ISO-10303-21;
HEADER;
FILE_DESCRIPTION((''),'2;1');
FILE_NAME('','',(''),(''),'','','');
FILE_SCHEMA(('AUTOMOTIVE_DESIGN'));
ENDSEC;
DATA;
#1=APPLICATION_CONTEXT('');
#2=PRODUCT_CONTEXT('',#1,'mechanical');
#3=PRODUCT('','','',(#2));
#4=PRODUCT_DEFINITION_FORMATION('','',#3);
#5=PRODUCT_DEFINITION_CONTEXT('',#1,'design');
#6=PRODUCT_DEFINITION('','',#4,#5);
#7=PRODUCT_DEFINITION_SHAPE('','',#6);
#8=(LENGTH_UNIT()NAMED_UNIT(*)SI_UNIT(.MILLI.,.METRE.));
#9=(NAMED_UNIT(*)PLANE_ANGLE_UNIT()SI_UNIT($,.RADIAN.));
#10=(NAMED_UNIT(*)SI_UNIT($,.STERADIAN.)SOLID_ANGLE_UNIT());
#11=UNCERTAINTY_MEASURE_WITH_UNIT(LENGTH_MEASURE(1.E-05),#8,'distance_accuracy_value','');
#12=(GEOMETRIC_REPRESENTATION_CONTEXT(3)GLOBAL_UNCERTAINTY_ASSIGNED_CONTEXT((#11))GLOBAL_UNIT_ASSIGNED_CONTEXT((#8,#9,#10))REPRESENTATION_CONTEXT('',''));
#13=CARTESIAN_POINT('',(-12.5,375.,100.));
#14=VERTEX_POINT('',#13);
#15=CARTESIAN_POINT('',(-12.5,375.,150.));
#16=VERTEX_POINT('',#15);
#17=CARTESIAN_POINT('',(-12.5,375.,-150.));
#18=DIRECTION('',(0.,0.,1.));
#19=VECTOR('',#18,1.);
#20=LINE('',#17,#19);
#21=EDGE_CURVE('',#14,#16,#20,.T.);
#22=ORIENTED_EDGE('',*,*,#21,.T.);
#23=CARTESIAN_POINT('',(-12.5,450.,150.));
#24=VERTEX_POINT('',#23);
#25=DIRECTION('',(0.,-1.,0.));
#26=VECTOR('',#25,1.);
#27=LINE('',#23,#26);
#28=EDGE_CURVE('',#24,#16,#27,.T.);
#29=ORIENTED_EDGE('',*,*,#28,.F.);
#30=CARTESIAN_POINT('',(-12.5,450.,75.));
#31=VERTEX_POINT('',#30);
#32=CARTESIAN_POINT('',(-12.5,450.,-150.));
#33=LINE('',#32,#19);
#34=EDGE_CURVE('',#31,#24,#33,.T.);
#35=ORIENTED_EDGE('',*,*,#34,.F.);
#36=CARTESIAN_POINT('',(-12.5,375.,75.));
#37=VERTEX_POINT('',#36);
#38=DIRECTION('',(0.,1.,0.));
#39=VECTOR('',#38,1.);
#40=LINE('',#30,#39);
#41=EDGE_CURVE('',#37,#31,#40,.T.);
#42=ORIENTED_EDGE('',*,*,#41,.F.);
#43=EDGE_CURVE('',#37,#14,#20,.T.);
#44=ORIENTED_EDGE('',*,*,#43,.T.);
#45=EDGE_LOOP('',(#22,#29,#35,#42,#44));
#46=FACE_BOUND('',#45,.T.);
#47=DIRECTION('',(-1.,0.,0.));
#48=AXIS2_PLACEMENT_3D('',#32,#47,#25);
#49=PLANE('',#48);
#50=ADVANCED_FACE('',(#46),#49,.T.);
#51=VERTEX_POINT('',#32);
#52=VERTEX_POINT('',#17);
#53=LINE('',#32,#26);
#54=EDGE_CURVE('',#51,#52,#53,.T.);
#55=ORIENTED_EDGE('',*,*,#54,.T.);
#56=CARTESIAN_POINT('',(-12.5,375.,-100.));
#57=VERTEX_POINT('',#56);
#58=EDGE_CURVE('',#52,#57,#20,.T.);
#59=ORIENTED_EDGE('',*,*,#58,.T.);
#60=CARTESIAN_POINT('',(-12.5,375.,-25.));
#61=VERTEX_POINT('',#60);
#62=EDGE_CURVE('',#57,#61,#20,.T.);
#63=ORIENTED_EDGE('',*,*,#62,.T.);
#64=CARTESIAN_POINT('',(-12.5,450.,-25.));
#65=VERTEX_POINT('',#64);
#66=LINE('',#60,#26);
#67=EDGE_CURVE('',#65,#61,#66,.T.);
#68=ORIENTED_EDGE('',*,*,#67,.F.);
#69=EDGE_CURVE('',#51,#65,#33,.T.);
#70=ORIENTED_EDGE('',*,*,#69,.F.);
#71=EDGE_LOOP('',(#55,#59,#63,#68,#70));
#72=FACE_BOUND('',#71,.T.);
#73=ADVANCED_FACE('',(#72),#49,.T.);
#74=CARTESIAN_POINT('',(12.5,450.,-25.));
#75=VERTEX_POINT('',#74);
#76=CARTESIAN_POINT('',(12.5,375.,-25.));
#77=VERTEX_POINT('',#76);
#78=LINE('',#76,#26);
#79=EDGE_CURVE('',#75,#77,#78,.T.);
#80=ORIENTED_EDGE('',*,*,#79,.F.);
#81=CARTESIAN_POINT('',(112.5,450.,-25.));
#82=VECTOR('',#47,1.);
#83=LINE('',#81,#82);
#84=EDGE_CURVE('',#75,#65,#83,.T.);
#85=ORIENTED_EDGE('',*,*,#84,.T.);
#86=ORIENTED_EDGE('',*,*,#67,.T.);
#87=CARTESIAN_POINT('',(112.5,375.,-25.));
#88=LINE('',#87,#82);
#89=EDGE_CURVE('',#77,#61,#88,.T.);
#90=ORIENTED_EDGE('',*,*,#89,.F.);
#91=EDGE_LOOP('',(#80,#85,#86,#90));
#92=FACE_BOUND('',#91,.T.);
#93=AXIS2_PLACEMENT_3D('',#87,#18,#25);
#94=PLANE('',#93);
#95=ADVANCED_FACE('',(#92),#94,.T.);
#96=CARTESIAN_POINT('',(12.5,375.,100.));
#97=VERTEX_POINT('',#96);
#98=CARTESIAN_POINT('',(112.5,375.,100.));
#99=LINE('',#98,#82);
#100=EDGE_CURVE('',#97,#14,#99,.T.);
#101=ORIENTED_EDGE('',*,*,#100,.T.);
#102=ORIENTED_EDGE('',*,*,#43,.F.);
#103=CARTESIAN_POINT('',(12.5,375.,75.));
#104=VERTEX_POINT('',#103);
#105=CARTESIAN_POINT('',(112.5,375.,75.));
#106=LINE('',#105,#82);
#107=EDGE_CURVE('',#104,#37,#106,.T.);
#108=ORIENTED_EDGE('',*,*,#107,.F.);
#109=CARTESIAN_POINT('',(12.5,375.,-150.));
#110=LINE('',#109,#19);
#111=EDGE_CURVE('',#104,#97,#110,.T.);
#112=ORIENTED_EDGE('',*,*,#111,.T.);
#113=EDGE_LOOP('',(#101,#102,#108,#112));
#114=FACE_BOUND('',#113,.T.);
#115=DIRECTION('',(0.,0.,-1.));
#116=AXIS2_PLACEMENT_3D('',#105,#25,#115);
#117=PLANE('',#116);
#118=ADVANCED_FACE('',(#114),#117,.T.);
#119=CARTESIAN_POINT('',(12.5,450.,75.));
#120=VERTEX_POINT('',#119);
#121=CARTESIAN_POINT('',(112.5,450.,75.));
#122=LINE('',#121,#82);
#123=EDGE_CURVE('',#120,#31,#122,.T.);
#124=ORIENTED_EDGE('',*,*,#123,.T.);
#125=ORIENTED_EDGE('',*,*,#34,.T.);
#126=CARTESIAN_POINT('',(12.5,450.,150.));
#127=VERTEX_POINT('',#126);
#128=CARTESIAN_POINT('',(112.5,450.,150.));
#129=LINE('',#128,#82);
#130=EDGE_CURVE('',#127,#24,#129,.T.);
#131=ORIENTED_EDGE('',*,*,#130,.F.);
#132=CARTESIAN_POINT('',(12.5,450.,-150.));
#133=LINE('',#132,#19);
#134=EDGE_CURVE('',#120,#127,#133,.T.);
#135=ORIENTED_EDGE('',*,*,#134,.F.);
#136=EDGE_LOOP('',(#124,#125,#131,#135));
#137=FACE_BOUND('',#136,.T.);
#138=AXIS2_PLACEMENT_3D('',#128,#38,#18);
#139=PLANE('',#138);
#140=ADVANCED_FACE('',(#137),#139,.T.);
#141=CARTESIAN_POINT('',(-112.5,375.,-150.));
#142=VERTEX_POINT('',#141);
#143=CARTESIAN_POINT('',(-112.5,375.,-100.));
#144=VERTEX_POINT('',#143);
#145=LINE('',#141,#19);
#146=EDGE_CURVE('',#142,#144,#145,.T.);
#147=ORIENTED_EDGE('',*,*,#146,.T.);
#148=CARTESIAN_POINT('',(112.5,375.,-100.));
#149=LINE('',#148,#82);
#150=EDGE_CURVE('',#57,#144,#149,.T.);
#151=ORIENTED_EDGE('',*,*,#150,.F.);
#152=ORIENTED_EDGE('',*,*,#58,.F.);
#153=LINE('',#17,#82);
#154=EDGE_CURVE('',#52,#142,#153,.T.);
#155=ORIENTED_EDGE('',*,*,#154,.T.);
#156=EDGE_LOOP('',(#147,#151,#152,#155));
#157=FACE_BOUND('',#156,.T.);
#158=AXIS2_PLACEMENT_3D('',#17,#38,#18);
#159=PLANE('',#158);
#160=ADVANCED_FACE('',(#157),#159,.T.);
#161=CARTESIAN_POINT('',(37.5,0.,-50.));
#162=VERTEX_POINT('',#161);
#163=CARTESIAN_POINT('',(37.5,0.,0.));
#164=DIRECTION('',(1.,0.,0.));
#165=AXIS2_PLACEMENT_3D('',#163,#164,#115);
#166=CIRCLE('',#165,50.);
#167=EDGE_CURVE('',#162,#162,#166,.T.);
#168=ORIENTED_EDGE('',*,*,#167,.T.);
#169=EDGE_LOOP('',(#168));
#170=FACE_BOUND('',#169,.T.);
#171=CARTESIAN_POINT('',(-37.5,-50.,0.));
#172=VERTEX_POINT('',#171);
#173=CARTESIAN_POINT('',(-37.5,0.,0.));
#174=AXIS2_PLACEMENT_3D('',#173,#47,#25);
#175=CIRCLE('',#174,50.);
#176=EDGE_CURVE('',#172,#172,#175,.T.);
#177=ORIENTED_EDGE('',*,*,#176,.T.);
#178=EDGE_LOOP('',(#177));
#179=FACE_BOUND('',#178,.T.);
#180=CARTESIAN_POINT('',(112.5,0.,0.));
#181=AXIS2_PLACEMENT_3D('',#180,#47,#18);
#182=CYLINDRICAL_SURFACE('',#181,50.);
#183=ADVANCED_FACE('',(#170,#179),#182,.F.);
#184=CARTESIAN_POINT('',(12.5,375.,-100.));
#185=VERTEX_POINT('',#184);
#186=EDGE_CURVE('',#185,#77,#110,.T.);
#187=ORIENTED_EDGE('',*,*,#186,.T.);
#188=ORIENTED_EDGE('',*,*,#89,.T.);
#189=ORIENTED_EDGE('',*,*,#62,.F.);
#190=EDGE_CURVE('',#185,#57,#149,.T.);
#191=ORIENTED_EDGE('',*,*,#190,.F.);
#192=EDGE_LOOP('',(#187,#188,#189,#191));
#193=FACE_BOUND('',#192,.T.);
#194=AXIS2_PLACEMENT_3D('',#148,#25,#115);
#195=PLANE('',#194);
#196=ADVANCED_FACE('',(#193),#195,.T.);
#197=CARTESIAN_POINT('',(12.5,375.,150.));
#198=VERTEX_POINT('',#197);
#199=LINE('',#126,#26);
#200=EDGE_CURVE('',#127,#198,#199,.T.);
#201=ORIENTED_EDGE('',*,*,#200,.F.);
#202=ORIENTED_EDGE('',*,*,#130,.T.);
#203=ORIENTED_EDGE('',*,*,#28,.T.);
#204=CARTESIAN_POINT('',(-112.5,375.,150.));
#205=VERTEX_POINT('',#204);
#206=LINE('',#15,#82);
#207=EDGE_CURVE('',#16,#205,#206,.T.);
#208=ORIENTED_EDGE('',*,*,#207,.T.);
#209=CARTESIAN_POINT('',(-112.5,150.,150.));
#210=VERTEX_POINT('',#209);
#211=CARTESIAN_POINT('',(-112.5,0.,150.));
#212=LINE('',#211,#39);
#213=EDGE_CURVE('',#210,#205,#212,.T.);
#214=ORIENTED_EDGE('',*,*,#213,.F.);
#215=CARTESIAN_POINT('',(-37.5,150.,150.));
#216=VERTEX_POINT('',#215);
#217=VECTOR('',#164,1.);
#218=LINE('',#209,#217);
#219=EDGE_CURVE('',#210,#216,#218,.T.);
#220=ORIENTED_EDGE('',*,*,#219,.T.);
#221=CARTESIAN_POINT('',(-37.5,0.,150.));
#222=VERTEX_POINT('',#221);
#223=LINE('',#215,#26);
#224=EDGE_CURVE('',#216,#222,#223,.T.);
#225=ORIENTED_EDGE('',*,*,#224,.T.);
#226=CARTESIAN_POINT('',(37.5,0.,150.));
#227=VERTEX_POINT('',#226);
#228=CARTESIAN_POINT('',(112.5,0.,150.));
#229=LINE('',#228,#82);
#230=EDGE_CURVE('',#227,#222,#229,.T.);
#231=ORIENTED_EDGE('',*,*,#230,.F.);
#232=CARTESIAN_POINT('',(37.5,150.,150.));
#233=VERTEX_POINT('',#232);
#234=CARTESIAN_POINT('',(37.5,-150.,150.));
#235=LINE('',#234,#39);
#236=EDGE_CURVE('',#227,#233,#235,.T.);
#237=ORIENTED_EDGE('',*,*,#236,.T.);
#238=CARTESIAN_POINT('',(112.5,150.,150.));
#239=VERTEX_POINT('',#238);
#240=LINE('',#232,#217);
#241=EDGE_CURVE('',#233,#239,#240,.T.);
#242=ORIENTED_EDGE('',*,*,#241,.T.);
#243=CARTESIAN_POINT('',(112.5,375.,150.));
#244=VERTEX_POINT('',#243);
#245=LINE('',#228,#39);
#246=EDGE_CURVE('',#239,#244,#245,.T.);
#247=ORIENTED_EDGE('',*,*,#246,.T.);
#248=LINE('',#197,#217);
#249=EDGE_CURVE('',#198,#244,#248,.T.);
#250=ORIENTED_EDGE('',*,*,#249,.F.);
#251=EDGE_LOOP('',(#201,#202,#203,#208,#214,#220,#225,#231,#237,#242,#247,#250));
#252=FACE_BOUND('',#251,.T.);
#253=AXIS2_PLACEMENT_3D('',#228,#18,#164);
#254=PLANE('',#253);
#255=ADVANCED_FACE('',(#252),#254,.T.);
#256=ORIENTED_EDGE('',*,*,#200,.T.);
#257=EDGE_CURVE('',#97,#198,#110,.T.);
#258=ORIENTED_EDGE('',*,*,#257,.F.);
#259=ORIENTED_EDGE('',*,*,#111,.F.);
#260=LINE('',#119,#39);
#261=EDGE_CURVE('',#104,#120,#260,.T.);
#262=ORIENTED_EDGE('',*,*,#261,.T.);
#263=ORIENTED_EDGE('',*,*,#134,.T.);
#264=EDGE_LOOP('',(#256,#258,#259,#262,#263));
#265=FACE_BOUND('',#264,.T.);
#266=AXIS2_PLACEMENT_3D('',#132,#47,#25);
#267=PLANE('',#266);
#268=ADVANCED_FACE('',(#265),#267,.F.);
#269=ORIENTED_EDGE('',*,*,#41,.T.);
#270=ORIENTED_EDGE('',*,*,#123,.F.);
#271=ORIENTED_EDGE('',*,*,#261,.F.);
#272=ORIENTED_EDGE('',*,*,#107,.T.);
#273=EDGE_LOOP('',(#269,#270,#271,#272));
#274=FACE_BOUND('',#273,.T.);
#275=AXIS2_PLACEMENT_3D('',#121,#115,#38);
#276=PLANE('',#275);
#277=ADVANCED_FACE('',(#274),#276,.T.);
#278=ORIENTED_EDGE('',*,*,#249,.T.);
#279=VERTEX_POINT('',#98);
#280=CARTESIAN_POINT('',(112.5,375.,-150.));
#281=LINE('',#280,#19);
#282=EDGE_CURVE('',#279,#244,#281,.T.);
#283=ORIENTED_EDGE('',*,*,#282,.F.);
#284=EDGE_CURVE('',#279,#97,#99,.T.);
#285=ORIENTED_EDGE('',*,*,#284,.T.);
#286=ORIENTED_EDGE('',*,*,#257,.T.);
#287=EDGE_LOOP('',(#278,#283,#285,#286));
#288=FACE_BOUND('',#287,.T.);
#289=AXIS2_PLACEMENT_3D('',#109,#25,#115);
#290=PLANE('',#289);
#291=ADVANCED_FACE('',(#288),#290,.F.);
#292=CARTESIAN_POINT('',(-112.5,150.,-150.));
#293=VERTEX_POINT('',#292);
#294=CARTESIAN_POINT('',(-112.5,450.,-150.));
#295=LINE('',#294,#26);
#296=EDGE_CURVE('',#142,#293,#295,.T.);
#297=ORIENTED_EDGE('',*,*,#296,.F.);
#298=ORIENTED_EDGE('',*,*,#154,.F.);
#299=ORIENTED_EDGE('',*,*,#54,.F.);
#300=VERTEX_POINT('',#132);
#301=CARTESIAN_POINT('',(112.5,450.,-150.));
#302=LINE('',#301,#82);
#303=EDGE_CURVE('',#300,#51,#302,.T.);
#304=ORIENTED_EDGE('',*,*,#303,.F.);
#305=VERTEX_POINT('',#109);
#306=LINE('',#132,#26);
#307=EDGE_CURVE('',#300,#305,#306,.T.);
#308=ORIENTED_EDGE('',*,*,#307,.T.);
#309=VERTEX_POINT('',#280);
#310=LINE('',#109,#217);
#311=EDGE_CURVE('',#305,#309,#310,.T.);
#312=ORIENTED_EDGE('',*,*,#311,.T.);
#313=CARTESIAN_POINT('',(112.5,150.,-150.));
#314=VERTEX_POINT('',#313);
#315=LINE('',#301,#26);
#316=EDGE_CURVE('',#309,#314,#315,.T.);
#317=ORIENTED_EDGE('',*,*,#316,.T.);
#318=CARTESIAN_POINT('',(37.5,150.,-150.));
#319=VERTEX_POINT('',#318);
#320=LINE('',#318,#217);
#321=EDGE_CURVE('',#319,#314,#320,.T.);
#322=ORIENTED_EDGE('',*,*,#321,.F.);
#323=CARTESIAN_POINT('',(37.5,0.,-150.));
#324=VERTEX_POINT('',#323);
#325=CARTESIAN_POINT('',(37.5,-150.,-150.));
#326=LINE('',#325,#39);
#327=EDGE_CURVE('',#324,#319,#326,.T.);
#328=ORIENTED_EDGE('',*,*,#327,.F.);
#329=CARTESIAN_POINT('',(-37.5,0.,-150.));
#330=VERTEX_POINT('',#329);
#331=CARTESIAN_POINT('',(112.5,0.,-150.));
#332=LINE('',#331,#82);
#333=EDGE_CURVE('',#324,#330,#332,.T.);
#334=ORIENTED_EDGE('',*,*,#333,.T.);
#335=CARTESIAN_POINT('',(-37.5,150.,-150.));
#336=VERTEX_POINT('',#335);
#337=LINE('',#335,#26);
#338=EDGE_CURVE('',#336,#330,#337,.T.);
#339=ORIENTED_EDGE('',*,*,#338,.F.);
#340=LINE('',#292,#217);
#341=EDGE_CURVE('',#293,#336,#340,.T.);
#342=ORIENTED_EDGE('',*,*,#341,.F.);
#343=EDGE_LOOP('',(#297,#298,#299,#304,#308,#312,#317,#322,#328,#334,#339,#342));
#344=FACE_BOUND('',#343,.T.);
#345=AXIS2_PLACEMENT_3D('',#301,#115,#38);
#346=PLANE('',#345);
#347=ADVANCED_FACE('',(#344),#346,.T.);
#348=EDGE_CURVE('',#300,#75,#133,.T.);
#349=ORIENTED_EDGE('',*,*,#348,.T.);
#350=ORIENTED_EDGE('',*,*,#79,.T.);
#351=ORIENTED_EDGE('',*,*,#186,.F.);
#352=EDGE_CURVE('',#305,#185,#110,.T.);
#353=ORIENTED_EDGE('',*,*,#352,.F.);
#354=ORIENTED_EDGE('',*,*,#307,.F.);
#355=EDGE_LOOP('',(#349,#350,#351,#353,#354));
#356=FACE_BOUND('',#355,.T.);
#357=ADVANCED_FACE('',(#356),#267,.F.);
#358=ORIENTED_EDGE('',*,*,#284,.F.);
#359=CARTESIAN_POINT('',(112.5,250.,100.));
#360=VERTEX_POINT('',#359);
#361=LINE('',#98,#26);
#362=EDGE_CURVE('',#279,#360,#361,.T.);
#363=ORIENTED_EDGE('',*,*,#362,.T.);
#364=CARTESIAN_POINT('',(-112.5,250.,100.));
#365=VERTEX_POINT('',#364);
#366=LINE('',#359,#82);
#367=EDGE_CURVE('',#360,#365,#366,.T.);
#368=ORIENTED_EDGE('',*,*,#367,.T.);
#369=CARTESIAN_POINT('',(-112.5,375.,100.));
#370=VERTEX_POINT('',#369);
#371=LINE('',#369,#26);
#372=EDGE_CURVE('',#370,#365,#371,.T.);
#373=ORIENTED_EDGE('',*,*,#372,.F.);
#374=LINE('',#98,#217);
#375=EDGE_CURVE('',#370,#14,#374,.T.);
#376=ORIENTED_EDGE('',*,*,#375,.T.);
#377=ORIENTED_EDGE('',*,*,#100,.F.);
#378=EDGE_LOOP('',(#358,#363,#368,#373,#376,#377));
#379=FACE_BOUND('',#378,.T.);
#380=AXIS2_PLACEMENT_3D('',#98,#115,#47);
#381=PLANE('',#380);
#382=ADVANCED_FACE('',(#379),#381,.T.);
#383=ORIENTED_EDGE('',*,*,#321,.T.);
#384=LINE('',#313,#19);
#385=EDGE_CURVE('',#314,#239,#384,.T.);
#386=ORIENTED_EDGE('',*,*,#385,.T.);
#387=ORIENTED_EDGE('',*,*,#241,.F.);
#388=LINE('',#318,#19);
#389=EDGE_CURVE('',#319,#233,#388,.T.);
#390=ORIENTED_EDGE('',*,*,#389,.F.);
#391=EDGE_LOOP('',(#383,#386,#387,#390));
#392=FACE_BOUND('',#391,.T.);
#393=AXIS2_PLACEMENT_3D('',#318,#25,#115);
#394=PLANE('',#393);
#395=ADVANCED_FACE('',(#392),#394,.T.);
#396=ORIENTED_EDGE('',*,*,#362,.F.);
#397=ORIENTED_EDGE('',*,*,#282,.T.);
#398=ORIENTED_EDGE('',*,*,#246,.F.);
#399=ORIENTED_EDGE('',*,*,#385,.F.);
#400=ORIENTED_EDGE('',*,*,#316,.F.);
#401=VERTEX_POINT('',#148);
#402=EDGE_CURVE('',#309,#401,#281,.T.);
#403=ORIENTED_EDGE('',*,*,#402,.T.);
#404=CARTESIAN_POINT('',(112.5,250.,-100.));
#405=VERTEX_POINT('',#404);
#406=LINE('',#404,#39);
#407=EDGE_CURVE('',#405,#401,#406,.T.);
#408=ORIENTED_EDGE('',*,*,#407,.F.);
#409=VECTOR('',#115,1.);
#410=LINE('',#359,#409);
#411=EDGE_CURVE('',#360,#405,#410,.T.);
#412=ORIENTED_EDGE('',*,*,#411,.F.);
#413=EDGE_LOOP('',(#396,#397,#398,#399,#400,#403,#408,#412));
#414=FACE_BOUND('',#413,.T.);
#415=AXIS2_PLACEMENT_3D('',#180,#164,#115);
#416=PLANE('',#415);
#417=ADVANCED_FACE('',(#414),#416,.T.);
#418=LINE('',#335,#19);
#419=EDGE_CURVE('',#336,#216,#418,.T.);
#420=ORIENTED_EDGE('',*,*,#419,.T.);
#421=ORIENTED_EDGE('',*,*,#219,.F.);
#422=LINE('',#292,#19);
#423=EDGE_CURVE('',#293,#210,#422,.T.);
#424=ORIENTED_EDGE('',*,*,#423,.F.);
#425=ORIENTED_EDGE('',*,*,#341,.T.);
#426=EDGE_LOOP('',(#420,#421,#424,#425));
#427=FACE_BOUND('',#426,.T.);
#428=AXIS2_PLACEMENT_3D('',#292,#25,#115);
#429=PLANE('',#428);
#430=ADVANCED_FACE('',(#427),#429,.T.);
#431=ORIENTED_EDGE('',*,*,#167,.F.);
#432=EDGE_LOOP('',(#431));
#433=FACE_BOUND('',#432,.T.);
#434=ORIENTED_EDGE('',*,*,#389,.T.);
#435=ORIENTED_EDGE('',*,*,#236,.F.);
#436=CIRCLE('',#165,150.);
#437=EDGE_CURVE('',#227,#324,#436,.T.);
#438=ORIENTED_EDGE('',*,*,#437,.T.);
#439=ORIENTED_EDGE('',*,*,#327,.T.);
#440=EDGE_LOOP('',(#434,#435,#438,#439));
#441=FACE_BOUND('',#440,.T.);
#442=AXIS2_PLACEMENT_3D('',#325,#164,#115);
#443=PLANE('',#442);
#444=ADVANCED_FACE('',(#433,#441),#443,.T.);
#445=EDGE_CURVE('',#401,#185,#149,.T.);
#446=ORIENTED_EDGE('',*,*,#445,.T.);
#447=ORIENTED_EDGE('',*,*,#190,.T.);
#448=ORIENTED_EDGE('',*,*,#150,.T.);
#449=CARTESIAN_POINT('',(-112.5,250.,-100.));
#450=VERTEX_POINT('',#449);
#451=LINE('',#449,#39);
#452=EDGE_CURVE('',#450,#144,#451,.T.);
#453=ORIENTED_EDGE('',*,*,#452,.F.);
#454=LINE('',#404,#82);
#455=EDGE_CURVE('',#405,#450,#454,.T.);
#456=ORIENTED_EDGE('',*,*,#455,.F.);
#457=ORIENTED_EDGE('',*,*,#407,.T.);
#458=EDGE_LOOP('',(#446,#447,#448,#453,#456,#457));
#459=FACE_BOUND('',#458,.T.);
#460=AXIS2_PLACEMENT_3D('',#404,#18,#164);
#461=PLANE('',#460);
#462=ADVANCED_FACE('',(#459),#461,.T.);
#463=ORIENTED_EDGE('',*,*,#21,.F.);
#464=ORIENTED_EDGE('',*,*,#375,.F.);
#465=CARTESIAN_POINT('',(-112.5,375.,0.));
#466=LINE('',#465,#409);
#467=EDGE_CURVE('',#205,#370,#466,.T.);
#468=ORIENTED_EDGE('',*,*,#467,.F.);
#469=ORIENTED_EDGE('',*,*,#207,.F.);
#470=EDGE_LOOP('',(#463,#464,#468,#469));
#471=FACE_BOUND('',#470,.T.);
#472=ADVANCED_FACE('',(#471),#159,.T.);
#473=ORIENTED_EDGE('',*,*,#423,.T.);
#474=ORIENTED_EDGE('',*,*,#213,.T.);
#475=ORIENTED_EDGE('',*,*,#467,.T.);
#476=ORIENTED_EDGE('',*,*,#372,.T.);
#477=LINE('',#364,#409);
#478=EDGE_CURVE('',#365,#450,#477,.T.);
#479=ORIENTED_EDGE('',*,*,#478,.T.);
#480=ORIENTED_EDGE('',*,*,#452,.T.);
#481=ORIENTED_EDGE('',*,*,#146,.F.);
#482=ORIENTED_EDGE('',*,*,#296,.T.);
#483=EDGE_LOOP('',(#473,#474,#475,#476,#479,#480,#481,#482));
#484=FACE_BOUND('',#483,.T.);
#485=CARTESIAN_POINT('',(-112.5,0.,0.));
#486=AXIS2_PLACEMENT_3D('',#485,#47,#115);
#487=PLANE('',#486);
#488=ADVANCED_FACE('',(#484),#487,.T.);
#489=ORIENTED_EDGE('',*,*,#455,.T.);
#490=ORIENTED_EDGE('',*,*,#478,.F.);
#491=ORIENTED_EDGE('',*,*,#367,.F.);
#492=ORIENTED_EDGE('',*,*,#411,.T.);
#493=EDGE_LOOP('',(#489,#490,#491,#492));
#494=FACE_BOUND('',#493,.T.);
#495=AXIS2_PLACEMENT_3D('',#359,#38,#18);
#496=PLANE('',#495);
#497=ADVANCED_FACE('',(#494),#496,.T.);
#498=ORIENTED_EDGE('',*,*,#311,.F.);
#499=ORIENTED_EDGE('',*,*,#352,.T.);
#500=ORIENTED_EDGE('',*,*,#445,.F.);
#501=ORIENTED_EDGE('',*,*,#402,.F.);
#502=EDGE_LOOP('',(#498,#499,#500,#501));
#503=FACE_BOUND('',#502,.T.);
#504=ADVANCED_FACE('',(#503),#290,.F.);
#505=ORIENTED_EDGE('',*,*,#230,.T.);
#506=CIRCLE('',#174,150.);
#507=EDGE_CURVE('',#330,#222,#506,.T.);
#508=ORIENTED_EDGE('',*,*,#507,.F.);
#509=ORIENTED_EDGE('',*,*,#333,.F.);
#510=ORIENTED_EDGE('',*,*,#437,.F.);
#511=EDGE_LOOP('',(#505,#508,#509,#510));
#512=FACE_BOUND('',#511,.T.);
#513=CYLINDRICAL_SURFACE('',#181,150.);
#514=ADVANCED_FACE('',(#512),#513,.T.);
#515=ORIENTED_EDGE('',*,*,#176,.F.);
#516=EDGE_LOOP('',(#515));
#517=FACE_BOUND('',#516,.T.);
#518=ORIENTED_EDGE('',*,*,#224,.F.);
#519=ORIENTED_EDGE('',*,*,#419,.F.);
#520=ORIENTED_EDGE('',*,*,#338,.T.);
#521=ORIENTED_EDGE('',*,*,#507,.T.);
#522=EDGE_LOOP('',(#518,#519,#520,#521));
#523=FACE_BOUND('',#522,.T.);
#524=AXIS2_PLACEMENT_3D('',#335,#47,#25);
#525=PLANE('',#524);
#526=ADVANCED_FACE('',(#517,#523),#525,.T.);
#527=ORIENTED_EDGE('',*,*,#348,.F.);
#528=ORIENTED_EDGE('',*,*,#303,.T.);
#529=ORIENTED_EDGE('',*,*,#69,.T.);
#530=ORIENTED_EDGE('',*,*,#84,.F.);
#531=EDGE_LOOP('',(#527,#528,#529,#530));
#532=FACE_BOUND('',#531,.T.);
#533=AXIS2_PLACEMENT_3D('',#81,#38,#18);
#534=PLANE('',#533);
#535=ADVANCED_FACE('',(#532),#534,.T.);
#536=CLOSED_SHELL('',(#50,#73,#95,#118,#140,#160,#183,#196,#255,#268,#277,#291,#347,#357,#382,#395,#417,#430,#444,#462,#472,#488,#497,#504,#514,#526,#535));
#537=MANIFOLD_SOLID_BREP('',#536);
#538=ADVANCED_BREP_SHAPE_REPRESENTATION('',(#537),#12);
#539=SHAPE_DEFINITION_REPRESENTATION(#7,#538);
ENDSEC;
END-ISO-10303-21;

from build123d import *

# Parameters (mm, degrees)
SKETCH1_R           = 50
BOSS_EXTRUDE1_DEPTH = 112.5
SKETCH2_W           = 75
SKETCH2_H           = 300
SKETCH2_W_2         = 100
SKETCH2_H_2         = 75
CUT_EXTRUDE2_DEPTH  = 553.40949485


with BuildPart() as part:
    # Sketch1 → Boss-Extrude1 (new body)
    with BuildSketch(Plane.YZ):
        with BuildLine():
            Line((0, 150), (450, 150))
            Line((450, 150), (450, 75))
            Line((450, 75), (375, 75))
            Line((375, 75), (375, 100))
            Line((375, 100), (250, 100))
            Line((250, 100), (250, -100))
            Line((250, -100), (375, -100))
            Line((375, -100), (375, -25))
            Line((375, -25), (450, -25))
            Line((450, -25), (450, -150))
            Line((450, -150), (0, -150))
            ThreePointArc((0, -150), (-150, 0), (0, 150))
        make_face()
        with Locations(Location((0, 0, 0), (0, 0, 270))):
            Circle(SKETCH1_R, mode=Mode.SUBTRACT)
    extrude(amount=BOSS_EXTRUDE1_DEPTH)

    # Mirror1: part across plane


with BuildPart() as part_1:
    add(part.part)
    add(part.part.mirror(Plane(origin=(0, 0, 0), x_dir=(0, 0, 1), z_dir=(1, 0, 0))))

    # Sketch2 → Cut-Extrude2 (cut, through all)
    with BuildSketch(Plane.XY.offset(150)):
        with Locations((75, 0)):
            Rectangle(SKETCH2_W, SKETCH2_H)
        with Locations((62.5, 412.5)):
            Rectangle(SKETCH2_W_2, SKETCH2_H_2)
        with Locations((-75, 0)):
            Rectangle(SKETCH2_W, SKETCH2_H)
        with Locations((-62.5, 412.5)):
            Rectangle(SKETCH2_W_2, SKETCH2_H_2)
    extrude(amount=-CUT_EXTRUDE2_DEPTH, mode=Mode.SUBTRACT)


solid = part_1.part
